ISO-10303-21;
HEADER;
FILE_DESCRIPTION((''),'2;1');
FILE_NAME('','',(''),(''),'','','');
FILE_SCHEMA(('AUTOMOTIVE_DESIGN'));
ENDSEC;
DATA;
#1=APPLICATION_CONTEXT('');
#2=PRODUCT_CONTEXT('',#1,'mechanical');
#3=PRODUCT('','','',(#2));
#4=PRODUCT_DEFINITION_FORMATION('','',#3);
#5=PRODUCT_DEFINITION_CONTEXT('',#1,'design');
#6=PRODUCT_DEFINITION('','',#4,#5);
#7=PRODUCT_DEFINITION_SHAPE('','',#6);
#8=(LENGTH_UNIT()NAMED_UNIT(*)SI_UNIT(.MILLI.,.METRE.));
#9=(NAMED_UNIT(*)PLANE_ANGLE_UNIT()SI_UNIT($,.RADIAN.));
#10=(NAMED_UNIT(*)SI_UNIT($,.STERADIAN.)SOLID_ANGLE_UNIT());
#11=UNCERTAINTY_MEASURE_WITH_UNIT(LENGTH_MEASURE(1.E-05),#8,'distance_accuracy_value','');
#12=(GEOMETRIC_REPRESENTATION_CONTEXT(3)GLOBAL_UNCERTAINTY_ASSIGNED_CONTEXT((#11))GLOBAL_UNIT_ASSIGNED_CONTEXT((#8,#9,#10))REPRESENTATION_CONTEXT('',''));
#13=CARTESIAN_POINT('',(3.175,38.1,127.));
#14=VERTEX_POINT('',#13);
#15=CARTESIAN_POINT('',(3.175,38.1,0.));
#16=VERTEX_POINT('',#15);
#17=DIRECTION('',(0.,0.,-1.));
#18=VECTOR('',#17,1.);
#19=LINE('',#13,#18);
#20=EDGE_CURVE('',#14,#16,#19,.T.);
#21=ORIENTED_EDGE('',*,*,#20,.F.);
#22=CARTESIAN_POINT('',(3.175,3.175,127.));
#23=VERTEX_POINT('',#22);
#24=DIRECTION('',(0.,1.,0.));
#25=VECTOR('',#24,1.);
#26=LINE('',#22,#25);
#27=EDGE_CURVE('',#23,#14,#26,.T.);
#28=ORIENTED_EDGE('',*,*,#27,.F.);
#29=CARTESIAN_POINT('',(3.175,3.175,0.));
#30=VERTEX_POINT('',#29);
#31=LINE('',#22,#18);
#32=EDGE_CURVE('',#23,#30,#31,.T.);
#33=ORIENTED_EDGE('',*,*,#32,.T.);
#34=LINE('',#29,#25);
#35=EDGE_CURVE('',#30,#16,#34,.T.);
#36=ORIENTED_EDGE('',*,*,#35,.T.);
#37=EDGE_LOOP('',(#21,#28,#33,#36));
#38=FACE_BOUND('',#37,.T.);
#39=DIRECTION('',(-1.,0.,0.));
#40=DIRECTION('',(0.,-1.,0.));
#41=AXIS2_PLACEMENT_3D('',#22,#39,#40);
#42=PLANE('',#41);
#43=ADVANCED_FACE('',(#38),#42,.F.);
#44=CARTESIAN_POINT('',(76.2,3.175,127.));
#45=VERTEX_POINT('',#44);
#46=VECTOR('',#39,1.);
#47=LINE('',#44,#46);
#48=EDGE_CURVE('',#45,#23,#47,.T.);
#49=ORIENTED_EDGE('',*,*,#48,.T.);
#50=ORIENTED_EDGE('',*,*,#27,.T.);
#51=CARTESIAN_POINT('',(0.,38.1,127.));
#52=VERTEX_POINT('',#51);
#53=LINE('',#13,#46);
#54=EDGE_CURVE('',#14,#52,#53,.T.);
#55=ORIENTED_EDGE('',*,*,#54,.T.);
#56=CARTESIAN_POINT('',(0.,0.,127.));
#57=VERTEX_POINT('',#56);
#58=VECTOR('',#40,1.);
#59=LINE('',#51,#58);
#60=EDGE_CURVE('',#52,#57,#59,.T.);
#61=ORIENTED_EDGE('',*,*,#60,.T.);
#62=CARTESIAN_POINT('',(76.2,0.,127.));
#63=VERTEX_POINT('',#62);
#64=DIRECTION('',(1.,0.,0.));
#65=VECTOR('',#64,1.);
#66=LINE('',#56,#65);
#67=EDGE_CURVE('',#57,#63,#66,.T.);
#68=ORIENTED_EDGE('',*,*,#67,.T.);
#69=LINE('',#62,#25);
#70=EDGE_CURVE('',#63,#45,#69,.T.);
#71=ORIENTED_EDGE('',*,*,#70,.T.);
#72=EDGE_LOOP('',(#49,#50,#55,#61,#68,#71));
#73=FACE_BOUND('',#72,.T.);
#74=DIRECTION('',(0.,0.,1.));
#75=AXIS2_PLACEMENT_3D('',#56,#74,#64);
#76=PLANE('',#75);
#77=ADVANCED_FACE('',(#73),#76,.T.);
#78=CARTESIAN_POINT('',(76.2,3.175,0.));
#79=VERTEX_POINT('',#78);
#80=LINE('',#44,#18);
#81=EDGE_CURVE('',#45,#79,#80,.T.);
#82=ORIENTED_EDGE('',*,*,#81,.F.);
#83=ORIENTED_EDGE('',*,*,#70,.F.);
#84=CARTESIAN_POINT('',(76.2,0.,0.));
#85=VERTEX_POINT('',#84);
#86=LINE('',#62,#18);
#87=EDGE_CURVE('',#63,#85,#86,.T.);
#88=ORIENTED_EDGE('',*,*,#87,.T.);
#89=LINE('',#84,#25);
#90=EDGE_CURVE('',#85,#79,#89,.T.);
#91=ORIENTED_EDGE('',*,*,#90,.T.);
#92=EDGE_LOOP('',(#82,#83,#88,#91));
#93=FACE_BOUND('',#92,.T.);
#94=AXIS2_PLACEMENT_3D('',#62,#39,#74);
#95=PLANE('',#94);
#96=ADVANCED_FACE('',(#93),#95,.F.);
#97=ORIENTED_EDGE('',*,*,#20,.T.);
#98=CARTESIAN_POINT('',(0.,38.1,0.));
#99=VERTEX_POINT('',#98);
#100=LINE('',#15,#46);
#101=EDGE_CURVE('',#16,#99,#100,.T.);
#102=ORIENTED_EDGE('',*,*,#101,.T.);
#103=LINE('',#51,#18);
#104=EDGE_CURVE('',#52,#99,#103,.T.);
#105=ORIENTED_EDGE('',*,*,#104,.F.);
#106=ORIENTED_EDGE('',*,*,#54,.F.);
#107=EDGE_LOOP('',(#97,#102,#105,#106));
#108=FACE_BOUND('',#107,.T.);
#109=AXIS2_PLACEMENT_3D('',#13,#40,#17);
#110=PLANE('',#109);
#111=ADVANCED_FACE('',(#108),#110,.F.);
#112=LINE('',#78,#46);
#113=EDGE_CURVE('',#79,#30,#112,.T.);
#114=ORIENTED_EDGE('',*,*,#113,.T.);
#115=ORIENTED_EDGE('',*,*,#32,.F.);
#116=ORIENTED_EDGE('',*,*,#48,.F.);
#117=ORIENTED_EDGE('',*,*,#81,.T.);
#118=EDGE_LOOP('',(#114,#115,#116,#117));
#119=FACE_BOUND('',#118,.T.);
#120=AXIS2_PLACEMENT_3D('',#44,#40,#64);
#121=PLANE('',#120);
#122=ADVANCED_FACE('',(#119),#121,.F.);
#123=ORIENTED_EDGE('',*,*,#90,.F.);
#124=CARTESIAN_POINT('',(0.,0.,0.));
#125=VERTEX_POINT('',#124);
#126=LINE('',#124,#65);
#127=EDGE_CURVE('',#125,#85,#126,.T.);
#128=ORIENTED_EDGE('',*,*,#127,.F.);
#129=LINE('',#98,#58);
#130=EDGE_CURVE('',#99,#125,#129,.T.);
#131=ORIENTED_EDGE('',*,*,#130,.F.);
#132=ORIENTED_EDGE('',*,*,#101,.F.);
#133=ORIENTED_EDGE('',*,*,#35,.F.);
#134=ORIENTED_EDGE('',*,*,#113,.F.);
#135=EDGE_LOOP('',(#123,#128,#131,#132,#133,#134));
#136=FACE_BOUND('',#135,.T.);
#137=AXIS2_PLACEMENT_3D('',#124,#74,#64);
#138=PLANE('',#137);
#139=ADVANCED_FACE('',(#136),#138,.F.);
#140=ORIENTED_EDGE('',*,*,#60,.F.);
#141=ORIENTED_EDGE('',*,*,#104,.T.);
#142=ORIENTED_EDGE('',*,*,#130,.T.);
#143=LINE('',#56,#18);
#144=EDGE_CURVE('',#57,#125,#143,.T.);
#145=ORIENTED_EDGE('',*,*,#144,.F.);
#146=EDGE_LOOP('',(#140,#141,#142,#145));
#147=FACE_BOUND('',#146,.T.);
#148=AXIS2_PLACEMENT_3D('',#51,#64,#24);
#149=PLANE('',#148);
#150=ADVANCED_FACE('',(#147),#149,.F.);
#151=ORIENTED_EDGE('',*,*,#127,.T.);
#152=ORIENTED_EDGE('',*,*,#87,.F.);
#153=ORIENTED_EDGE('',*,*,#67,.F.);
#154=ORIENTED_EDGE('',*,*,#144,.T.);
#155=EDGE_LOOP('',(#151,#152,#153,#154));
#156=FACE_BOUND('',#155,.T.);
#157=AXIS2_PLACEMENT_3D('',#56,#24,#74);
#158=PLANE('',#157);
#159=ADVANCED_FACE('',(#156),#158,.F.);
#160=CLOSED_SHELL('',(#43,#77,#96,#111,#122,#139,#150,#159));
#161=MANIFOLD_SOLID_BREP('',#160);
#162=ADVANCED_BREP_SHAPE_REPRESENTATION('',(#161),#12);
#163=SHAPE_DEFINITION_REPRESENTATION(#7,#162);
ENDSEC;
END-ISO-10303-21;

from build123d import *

# Parameters (mm, degrees)
BOSS_EXTRUDE1_DEPTH = 127


with BuildPart() as part:
    # Sketch1 → Boss-Extrude1 (new body)
    with BuildSketch(Plane.XY):
        Polygon((0, 0), (76.2, 0), (76.2, 3.175), (3.175, 3.175), (3.175, 38.1), (0, 38.1), align=None)
    extrude(amount=BOSS_EXTRUDE1_DEPTH)


solid = part.part
